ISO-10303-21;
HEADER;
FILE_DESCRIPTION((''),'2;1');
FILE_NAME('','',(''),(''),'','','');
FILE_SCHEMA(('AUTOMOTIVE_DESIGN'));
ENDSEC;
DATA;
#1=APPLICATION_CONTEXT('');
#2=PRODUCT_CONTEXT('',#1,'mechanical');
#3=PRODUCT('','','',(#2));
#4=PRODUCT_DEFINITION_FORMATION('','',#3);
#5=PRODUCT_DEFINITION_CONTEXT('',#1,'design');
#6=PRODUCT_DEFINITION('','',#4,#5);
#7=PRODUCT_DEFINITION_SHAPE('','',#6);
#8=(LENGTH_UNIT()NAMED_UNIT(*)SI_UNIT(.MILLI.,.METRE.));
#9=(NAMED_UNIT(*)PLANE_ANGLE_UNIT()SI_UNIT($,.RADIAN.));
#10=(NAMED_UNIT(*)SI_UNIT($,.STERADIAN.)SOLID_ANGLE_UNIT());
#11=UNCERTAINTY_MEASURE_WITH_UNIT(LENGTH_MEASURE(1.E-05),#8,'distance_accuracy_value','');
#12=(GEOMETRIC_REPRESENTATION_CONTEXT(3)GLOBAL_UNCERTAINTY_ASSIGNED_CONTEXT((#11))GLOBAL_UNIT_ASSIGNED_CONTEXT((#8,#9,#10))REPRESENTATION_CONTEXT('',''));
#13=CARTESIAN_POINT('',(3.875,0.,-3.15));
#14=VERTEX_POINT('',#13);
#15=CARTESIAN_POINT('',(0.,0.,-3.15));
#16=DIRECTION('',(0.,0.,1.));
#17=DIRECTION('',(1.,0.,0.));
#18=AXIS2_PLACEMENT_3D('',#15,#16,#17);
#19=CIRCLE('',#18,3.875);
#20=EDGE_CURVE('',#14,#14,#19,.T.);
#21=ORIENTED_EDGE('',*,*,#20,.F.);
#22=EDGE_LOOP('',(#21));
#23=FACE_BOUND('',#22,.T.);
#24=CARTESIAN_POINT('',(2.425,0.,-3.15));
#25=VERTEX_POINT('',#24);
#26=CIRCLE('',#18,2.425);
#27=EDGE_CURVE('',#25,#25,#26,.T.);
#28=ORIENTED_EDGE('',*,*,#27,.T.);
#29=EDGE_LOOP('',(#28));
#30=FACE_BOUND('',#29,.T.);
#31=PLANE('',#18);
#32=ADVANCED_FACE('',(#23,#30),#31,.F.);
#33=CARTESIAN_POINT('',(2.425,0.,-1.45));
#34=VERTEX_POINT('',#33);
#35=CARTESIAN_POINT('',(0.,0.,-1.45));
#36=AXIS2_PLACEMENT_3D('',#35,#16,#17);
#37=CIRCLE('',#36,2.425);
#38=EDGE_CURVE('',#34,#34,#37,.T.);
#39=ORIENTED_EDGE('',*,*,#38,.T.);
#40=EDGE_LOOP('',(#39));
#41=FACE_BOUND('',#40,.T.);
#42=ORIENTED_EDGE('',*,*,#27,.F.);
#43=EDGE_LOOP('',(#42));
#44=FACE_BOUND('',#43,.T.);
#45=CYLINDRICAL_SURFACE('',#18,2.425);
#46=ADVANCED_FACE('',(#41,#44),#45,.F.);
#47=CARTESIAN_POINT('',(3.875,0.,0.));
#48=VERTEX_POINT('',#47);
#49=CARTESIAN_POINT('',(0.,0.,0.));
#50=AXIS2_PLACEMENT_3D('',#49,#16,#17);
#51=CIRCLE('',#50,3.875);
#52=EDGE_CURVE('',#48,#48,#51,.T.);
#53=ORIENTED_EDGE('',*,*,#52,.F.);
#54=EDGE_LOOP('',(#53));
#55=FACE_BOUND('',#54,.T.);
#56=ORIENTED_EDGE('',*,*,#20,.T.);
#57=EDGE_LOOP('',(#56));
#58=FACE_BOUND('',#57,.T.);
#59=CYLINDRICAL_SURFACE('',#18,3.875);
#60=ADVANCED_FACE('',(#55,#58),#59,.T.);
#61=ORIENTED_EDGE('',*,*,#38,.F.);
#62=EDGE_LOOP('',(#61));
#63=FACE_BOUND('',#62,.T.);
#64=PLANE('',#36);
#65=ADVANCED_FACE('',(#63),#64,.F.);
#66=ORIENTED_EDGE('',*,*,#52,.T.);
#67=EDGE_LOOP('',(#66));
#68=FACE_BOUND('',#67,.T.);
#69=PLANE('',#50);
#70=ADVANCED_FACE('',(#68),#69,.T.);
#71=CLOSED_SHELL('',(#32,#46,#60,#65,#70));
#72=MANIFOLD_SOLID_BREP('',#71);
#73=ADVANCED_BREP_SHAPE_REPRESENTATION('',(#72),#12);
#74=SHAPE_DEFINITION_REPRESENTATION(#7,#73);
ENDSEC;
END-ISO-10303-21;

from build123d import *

# Parameters (mm, degrees)
SKETCH1_R           = 3.875
BOSS_EXTRUDE1_DEPTH = 3.15
SHELL1_T            = -1.45


with BuildPart() as part:
    # Sketch1 → Boss-Extrude1 (new body)
    with BuildSketch(Plane.XY):
        Circle(SKETCH1_R)
    extrude(amount=-BOSS_EXTRUDE1_DEPTH)

    # Shell1
    shell1_openings = [part.faces().sort_by_distance(p)[0] for p in [
        (0, 0, -3.15),
    ]]
    offset(amount=SHELL1_T, openings=shell1_openings, kind=Kind.INTERSECTION)


solid = part.part
